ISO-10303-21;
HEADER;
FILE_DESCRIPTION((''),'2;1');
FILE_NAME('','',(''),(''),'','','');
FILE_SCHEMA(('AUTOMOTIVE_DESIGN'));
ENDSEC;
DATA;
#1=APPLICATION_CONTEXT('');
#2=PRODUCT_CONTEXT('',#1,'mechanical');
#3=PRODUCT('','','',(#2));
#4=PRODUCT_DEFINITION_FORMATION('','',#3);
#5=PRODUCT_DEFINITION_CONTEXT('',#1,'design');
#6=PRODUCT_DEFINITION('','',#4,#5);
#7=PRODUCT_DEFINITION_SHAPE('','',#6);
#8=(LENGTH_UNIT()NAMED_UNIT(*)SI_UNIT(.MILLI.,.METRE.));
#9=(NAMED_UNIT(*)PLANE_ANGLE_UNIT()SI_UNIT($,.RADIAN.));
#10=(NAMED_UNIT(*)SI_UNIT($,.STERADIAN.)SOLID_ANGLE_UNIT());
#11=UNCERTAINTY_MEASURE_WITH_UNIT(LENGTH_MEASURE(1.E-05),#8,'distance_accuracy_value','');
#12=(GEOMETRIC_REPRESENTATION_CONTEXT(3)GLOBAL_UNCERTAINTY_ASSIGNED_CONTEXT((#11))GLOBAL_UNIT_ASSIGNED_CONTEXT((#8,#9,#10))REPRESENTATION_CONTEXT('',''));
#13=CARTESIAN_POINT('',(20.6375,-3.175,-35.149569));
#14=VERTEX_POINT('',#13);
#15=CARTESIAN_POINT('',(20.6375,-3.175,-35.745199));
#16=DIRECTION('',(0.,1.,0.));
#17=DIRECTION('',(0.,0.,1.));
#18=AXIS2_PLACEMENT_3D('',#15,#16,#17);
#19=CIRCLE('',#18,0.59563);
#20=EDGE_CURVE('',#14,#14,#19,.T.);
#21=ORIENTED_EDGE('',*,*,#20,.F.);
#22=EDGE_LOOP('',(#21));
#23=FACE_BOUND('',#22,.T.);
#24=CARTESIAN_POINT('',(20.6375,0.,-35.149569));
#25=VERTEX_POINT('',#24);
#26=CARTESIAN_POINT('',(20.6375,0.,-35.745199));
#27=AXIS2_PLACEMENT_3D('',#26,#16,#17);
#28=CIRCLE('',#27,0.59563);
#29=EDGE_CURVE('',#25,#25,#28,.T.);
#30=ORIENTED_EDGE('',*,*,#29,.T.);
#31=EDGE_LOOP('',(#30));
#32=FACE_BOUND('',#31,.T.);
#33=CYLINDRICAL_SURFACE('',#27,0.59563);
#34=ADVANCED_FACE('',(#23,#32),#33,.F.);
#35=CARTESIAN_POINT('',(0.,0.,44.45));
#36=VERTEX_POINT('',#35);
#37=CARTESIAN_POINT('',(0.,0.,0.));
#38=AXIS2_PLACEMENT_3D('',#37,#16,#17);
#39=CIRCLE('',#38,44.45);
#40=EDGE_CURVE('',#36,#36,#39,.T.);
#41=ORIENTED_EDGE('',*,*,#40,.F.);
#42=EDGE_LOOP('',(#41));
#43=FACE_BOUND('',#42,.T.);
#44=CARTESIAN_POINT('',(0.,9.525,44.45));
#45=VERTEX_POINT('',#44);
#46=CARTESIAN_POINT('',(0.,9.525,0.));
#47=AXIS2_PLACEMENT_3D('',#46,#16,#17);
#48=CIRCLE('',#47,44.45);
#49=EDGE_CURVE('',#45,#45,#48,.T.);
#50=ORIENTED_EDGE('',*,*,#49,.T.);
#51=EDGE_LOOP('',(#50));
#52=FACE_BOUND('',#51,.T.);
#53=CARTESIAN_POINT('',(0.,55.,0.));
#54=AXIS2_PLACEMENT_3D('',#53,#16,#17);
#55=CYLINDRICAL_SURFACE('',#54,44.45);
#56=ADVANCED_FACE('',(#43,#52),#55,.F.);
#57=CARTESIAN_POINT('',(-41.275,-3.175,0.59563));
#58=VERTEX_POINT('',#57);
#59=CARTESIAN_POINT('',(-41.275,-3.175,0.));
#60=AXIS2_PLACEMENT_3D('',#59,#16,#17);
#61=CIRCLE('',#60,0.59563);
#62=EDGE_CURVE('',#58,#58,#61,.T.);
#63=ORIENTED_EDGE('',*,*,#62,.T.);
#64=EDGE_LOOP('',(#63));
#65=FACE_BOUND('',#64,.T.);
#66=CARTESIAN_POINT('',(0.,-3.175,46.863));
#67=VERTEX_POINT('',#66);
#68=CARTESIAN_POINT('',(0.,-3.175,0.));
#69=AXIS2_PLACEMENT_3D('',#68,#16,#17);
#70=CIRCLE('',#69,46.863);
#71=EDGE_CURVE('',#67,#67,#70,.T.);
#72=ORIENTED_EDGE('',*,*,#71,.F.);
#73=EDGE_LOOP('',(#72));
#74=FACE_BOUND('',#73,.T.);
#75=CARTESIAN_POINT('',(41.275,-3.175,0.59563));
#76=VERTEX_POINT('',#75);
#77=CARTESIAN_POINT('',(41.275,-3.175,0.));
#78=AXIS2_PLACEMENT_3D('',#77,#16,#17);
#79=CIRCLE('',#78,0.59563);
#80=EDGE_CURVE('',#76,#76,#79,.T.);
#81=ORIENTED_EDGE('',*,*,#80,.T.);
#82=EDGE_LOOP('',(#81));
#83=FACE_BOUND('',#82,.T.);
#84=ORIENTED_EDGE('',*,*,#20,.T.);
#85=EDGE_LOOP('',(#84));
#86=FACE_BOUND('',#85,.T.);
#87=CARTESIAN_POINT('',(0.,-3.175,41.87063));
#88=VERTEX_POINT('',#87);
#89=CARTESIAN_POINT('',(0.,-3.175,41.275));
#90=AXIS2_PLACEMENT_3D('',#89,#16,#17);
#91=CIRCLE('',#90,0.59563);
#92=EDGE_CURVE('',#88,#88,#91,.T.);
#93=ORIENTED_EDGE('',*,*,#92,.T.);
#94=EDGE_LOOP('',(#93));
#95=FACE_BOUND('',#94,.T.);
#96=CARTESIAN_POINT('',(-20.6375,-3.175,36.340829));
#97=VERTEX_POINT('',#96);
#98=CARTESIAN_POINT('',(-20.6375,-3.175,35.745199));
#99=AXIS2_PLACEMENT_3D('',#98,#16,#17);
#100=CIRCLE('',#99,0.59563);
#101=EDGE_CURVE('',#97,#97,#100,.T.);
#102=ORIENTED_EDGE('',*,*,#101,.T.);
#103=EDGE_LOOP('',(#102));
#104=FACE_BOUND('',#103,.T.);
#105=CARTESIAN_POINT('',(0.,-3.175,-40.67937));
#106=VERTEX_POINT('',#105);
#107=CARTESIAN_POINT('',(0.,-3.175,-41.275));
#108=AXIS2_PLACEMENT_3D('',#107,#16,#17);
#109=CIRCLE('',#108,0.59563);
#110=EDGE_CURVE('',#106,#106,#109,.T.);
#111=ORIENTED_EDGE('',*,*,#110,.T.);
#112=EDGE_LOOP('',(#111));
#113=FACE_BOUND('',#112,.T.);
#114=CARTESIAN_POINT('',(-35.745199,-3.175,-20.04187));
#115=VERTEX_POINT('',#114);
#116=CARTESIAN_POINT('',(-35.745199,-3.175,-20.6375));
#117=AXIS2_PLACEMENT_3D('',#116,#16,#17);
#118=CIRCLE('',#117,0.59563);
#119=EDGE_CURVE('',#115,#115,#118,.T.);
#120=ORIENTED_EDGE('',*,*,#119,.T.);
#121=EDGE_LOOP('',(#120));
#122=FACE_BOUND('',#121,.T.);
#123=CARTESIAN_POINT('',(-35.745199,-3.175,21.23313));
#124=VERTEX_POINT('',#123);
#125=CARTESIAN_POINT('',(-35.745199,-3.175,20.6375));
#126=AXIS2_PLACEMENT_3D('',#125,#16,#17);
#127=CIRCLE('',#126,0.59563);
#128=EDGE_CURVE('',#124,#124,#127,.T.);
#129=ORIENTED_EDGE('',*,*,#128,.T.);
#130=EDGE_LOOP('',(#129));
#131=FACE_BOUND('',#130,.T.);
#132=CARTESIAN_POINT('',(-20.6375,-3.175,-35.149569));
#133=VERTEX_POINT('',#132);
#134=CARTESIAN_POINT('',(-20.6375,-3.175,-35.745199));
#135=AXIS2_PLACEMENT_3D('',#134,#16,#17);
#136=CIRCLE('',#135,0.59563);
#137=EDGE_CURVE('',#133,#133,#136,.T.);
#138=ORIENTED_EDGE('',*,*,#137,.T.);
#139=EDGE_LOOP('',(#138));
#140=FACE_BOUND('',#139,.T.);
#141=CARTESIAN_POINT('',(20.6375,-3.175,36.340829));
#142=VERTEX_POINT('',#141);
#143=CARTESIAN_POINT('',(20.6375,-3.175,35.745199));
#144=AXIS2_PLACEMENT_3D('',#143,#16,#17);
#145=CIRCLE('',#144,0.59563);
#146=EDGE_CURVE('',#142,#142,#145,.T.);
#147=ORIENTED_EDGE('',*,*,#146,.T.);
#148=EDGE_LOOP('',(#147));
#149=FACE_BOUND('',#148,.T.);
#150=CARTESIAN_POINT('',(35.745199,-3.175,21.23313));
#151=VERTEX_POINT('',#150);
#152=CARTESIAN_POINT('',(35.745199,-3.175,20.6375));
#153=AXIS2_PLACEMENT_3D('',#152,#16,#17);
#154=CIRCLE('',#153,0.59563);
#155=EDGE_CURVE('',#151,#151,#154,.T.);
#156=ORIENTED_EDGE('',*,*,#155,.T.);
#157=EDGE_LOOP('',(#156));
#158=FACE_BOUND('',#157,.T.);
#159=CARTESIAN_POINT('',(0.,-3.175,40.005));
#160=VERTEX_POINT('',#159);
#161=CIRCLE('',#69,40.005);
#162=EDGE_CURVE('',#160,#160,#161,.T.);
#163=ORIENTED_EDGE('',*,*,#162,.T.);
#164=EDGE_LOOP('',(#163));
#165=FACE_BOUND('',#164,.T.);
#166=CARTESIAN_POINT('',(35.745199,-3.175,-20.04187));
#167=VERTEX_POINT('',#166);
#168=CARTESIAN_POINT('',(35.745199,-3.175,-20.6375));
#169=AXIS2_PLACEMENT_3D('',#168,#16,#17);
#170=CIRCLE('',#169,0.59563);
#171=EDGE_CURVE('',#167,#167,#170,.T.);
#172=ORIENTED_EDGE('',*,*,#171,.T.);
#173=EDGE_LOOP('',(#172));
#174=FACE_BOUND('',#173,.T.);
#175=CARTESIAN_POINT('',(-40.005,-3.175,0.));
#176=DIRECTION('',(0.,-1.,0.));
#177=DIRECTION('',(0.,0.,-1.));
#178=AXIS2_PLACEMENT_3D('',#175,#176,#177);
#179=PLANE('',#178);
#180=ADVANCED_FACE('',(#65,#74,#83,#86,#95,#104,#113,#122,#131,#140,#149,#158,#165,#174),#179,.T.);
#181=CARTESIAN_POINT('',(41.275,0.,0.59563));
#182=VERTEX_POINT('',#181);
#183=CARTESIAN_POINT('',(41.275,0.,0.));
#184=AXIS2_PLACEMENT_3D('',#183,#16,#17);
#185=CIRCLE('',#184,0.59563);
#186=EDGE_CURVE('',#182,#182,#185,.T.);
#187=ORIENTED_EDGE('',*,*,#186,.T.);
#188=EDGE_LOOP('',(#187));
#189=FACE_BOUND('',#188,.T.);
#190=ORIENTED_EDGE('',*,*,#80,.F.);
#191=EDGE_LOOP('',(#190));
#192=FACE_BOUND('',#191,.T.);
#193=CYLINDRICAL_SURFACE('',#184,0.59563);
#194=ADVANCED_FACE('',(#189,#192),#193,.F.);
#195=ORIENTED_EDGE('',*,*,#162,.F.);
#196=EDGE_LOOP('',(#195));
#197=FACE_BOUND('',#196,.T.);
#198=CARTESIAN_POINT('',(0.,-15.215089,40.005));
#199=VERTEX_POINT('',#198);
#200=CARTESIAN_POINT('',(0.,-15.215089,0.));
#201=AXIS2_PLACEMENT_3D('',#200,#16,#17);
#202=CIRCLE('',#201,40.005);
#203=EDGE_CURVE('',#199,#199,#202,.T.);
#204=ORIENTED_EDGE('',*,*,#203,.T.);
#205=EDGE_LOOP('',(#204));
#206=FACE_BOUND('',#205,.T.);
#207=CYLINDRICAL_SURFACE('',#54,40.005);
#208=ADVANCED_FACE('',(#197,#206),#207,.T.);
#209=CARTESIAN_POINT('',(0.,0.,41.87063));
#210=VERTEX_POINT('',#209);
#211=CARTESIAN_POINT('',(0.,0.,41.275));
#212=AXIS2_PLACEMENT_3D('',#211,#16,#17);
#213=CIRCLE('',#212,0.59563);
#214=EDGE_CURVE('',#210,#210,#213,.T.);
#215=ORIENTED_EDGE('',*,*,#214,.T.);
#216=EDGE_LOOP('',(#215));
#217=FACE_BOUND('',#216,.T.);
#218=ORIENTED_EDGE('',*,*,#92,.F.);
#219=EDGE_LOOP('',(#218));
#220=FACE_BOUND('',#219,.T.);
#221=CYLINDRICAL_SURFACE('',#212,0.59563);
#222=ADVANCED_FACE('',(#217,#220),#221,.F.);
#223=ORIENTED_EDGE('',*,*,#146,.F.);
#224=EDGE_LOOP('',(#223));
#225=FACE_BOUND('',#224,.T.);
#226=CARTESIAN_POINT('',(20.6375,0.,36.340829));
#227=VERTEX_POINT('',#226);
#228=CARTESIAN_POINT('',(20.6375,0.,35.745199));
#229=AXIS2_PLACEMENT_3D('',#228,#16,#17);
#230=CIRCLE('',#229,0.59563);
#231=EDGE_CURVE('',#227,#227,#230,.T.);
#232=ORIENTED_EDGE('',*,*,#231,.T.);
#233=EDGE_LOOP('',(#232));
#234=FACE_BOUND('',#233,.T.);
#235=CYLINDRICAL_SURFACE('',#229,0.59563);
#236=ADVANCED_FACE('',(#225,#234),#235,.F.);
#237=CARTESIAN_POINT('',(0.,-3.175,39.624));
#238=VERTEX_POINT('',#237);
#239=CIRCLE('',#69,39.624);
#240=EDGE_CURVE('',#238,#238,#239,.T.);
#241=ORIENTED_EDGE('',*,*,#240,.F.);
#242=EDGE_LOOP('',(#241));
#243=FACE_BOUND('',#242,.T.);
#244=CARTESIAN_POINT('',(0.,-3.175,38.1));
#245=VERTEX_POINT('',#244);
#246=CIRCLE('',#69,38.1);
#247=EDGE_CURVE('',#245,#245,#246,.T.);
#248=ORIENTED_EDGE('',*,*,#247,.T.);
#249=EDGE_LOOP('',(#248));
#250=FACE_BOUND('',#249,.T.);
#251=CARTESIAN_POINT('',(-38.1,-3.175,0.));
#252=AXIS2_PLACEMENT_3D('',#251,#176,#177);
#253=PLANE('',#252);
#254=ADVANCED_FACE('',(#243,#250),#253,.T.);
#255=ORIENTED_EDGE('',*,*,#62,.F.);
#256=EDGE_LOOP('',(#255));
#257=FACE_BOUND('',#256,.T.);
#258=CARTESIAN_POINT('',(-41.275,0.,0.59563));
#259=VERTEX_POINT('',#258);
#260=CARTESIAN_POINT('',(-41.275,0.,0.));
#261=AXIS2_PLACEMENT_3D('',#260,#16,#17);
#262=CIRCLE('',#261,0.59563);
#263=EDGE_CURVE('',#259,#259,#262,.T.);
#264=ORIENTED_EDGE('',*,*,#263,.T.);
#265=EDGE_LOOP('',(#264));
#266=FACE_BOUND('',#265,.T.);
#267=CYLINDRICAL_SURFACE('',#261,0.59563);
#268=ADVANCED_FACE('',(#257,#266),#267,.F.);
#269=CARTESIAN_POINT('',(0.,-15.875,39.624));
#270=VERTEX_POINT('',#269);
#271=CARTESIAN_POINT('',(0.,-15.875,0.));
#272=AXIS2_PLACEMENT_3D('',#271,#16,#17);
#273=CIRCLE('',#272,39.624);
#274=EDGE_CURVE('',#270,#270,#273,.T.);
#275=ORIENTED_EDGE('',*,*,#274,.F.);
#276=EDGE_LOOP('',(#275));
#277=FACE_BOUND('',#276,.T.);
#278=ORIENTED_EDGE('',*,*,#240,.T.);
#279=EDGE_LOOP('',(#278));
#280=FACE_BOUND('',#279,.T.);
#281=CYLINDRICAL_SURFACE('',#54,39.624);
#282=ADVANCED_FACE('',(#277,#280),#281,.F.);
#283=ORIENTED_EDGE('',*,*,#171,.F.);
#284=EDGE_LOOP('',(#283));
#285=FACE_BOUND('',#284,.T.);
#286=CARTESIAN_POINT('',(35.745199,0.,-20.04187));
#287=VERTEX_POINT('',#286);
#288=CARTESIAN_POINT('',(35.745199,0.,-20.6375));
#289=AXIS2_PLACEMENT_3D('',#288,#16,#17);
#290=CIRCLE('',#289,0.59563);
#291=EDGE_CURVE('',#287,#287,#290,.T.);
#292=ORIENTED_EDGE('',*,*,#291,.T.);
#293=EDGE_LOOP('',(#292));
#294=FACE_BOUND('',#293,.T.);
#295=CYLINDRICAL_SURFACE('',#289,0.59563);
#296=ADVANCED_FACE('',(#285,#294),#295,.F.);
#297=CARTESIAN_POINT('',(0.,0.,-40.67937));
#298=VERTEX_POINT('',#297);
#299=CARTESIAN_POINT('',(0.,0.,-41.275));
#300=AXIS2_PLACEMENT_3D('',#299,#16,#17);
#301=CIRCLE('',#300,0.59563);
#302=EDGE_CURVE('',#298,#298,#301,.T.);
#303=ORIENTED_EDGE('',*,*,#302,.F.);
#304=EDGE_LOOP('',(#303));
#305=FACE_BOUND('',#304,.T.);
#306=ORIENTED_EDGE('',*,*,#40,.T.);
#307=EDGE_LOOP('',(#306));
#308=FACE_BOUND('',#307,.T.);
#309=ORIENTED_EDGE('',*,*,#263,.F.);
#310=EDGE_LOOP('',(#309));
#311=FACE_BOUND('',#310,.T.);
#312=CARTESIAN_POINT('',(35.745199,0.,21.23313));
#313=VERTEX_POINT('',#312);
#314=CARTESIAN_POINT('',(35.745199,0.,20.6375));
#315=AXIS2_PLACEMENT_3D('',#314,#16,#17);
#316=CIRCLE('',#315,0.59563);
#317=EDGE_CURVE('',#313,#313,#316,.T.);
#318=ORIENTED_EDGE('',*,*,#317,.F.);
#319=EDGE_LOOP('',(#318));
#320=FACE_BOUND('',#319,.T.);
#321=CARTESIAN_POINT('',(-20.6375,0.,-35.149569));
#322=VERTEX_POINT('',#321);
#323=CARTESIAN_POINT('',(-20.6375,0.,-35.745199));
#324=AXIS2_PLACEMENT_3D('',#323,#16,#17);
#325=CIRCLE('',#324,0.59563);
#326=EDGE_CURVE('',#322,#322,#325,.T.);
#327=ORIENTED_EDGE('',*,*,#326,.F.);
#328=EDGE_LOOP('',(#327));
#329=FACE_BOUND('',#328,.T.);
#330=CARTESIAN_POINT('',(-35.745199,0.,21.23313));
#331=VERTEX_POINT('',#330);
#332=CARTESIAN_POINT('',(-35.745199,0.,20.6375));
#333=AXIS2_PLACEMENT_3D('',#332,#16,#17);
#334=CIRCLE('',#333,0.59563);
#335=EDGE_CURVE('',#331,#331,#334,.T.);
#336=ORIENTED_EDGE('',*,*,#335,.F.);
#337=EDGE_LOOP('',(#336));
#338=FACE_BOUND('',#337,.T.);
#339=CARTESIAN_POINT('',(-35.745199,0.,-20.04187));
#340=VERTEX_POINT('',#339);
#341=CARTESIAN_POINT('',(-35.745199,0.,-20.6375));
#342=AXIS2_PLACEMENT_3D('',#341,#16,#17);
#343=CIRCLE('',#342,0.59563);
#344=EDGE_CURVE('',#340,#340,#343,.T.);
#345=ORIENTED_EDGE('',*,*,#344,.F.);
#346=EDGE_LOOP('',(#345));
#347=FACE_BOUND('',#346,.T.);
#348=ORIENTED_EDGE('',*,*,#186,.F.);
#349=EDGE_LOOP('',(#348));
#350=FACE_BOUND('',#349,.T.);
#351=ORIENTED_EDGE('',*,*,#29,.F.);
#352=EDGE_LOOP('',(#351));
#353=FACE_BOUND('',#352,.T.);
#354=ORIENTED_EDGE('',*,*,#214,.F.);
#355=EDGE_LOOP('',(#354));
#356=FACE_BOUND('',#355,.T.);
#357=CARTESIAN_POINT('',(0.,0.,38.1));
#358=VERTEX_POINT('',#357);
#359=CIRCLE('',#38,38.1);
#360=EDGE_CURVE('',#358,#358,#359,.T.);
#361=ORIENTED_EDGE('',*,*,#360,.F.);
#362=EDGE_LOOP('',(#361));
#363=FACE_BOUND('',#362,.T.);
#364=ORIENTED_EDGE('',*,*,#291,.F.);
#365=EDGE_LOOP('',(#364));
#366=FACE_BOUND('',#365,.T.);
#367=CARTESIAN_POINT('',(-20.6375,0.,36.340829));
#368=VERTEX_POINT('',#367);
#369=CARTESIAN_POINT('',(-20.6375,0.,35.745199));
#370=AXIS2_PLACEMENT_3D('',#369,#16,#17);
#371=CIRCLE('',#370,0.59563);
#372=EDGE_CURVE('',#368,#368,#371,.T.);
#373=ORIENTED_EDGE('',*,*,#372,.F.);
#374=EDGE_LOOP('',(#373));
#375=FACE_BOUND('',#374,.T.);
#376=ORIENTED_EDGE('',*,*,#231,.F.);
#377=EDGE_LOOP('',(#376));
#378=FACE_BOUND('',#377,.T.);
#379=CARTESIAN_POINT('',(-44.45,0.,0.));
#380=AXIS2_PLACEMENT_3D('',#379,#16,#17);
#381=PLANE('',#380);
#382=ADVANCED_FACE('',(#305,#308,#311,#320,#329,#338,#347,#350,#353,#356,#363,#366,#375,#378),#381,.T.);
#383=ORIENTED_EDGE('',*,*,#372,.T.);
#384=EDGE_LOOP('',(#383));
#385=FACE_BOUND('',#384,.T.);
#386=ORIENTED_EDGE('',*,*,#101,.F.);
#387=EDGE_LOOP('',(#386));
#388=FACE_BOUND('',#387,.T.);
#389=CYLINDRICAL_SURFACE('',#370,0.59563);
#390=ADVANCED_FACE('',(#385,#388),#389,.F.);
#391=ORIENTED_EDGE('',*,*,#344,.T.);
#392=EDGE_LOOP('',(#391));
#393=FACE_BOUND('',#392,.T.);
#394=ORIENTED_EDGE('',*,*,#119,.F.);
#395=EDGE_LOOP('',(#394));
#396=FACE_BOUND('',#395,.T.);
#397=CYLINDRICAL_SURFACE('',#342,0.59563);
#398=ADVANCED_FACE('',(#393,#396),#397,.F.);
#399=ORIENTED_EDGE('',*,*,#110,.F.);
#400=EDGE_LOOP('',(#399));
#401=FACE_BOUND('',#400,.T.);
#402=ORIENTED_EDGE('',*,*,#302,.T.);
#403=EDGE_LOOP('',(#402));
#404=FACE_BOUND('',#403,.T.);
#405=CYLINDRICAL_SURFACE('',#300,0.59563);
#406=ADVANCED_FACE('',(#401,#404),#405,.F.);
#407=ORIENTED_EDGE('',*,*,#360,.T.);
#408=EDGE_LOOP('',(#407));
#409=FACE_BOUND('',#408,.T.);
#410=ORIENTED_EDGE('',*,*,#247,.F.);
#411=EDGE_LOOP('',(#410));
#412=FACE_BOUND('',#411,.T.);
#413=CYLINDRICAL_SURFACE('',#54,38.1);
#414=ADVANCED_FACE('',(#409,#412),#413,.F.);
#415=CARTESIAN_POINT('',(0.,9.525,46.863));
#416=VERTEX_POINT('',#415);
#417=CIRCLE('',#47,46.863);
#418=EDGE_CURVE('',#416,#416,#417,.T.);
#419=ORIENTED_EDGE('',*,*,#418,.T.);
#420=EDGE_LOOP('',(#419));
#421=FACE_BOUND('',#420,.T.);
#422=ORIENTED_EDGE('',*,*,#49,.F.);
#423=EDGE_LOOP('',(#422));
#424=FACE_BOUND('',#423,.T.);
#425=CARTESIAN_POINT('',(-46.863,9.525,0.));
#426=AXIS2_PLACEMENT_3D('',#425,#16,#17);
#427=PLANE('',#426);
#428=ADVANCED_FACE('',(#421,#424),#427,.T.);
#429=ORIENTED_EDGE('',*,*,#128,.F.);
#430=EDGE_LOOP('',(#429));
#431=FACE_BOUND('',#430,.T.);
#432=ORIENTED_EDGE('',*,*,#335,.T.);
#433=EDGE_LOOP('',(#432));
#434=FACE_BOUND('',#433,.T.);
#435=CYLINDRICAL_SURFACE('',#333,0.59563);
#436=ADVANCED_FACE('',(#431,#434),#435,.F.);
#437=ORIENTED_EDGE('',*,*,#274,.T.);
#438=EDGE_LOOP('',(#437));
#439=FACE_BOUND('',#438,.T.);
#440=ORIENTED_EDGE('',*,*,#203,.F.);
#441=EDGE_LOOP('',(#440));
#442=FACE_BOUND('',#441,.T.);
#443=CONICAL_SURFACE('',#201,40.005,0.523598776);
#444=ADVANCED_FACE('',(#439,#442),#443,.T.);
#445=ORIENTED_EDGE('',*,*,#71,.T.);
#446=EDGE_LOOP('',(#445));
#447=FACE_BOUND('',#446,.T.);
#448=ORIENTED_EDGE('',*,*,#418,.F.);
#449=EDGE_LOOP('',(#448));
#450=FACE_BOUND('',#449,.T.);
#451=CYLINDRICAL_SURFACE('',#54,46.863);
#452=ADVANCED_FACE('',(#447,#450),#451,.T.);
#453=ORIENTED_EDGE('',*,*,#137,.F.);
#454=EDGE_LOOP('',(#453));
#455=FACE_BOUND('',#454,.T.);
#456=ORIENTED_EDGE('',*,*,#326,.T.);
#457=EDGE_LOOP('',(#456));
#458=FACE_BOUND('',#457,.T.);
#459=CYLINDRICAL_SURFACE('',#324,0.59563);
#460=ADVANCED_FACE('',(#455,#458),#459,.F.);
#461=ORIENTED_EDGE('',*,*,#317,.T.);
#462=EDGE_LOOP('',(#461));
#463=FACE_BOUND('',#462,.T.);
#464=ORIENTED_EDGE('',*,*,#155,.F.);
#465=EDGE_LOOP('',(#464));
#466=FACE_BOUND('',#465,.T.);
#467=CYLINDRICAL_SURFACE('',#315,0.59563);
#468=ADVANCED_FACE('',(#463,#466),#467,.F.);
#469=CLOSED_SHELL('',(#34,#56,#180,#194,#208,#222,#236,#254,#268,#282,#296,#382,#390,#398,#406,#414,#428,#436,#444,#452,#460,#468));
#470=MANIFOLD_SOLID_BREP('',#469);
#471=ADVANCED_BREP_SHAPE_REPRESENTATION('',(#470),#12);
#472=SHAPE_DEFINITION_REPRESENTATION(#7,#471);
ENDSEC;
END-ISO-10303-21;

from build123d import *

# Parameters (mm, degrees)
SCREW_HOLES_COUNT = 12


with BuildPart() as part:
    # Cross Section → Main (revolve)
    with BuildSketch(Plane.XY):
        Polygon((-38.1, 0), (-38.1, -3.175), (-39.624, -3.175), (-39.624, -15.875), (-40.005, -15.215088642), (-40.005, -3.175), (-46.863, -3.175), (-46.863, 9.525), (-44.45, 9.525), (-44.45, 0), align=None)
    revolve(axis=Axis((0, 55, 0), (0, -1, 0)))

    # Sketch7 → #0-80 Tapped Hole1 (revolve, cut)
    with BuildSketch(Plane(origin=(-41.275, 0, 0), x_dir=(0, 0, 1), z_dir=(1, 0, 0))):
        Polygon((0, 0), (0, 3.532890611), (0.59563, 3.175), (0.59563, 0), align=None)
    f_0_80_tapped_hole1 = revolve(axis=Axis((-41.275, 6.35, 0), (0, -1, 0)), mode=Mode.SUBTRACT)

    # Screw Holes: #0-80 Tapped Hole1 ×12 about axis
    screw_holes_axis = Axis((0, 0, 0), (0, 1, 0))
    for i in range(1, SCREW_HOLES_COUNT):
        add(f_0_80_tapped_hole1.rotate(screw_holes_axis, i * 360 / SCREW_HOLES_COUNT), mode=Mode.SUBTRACT)


solid = part.part
